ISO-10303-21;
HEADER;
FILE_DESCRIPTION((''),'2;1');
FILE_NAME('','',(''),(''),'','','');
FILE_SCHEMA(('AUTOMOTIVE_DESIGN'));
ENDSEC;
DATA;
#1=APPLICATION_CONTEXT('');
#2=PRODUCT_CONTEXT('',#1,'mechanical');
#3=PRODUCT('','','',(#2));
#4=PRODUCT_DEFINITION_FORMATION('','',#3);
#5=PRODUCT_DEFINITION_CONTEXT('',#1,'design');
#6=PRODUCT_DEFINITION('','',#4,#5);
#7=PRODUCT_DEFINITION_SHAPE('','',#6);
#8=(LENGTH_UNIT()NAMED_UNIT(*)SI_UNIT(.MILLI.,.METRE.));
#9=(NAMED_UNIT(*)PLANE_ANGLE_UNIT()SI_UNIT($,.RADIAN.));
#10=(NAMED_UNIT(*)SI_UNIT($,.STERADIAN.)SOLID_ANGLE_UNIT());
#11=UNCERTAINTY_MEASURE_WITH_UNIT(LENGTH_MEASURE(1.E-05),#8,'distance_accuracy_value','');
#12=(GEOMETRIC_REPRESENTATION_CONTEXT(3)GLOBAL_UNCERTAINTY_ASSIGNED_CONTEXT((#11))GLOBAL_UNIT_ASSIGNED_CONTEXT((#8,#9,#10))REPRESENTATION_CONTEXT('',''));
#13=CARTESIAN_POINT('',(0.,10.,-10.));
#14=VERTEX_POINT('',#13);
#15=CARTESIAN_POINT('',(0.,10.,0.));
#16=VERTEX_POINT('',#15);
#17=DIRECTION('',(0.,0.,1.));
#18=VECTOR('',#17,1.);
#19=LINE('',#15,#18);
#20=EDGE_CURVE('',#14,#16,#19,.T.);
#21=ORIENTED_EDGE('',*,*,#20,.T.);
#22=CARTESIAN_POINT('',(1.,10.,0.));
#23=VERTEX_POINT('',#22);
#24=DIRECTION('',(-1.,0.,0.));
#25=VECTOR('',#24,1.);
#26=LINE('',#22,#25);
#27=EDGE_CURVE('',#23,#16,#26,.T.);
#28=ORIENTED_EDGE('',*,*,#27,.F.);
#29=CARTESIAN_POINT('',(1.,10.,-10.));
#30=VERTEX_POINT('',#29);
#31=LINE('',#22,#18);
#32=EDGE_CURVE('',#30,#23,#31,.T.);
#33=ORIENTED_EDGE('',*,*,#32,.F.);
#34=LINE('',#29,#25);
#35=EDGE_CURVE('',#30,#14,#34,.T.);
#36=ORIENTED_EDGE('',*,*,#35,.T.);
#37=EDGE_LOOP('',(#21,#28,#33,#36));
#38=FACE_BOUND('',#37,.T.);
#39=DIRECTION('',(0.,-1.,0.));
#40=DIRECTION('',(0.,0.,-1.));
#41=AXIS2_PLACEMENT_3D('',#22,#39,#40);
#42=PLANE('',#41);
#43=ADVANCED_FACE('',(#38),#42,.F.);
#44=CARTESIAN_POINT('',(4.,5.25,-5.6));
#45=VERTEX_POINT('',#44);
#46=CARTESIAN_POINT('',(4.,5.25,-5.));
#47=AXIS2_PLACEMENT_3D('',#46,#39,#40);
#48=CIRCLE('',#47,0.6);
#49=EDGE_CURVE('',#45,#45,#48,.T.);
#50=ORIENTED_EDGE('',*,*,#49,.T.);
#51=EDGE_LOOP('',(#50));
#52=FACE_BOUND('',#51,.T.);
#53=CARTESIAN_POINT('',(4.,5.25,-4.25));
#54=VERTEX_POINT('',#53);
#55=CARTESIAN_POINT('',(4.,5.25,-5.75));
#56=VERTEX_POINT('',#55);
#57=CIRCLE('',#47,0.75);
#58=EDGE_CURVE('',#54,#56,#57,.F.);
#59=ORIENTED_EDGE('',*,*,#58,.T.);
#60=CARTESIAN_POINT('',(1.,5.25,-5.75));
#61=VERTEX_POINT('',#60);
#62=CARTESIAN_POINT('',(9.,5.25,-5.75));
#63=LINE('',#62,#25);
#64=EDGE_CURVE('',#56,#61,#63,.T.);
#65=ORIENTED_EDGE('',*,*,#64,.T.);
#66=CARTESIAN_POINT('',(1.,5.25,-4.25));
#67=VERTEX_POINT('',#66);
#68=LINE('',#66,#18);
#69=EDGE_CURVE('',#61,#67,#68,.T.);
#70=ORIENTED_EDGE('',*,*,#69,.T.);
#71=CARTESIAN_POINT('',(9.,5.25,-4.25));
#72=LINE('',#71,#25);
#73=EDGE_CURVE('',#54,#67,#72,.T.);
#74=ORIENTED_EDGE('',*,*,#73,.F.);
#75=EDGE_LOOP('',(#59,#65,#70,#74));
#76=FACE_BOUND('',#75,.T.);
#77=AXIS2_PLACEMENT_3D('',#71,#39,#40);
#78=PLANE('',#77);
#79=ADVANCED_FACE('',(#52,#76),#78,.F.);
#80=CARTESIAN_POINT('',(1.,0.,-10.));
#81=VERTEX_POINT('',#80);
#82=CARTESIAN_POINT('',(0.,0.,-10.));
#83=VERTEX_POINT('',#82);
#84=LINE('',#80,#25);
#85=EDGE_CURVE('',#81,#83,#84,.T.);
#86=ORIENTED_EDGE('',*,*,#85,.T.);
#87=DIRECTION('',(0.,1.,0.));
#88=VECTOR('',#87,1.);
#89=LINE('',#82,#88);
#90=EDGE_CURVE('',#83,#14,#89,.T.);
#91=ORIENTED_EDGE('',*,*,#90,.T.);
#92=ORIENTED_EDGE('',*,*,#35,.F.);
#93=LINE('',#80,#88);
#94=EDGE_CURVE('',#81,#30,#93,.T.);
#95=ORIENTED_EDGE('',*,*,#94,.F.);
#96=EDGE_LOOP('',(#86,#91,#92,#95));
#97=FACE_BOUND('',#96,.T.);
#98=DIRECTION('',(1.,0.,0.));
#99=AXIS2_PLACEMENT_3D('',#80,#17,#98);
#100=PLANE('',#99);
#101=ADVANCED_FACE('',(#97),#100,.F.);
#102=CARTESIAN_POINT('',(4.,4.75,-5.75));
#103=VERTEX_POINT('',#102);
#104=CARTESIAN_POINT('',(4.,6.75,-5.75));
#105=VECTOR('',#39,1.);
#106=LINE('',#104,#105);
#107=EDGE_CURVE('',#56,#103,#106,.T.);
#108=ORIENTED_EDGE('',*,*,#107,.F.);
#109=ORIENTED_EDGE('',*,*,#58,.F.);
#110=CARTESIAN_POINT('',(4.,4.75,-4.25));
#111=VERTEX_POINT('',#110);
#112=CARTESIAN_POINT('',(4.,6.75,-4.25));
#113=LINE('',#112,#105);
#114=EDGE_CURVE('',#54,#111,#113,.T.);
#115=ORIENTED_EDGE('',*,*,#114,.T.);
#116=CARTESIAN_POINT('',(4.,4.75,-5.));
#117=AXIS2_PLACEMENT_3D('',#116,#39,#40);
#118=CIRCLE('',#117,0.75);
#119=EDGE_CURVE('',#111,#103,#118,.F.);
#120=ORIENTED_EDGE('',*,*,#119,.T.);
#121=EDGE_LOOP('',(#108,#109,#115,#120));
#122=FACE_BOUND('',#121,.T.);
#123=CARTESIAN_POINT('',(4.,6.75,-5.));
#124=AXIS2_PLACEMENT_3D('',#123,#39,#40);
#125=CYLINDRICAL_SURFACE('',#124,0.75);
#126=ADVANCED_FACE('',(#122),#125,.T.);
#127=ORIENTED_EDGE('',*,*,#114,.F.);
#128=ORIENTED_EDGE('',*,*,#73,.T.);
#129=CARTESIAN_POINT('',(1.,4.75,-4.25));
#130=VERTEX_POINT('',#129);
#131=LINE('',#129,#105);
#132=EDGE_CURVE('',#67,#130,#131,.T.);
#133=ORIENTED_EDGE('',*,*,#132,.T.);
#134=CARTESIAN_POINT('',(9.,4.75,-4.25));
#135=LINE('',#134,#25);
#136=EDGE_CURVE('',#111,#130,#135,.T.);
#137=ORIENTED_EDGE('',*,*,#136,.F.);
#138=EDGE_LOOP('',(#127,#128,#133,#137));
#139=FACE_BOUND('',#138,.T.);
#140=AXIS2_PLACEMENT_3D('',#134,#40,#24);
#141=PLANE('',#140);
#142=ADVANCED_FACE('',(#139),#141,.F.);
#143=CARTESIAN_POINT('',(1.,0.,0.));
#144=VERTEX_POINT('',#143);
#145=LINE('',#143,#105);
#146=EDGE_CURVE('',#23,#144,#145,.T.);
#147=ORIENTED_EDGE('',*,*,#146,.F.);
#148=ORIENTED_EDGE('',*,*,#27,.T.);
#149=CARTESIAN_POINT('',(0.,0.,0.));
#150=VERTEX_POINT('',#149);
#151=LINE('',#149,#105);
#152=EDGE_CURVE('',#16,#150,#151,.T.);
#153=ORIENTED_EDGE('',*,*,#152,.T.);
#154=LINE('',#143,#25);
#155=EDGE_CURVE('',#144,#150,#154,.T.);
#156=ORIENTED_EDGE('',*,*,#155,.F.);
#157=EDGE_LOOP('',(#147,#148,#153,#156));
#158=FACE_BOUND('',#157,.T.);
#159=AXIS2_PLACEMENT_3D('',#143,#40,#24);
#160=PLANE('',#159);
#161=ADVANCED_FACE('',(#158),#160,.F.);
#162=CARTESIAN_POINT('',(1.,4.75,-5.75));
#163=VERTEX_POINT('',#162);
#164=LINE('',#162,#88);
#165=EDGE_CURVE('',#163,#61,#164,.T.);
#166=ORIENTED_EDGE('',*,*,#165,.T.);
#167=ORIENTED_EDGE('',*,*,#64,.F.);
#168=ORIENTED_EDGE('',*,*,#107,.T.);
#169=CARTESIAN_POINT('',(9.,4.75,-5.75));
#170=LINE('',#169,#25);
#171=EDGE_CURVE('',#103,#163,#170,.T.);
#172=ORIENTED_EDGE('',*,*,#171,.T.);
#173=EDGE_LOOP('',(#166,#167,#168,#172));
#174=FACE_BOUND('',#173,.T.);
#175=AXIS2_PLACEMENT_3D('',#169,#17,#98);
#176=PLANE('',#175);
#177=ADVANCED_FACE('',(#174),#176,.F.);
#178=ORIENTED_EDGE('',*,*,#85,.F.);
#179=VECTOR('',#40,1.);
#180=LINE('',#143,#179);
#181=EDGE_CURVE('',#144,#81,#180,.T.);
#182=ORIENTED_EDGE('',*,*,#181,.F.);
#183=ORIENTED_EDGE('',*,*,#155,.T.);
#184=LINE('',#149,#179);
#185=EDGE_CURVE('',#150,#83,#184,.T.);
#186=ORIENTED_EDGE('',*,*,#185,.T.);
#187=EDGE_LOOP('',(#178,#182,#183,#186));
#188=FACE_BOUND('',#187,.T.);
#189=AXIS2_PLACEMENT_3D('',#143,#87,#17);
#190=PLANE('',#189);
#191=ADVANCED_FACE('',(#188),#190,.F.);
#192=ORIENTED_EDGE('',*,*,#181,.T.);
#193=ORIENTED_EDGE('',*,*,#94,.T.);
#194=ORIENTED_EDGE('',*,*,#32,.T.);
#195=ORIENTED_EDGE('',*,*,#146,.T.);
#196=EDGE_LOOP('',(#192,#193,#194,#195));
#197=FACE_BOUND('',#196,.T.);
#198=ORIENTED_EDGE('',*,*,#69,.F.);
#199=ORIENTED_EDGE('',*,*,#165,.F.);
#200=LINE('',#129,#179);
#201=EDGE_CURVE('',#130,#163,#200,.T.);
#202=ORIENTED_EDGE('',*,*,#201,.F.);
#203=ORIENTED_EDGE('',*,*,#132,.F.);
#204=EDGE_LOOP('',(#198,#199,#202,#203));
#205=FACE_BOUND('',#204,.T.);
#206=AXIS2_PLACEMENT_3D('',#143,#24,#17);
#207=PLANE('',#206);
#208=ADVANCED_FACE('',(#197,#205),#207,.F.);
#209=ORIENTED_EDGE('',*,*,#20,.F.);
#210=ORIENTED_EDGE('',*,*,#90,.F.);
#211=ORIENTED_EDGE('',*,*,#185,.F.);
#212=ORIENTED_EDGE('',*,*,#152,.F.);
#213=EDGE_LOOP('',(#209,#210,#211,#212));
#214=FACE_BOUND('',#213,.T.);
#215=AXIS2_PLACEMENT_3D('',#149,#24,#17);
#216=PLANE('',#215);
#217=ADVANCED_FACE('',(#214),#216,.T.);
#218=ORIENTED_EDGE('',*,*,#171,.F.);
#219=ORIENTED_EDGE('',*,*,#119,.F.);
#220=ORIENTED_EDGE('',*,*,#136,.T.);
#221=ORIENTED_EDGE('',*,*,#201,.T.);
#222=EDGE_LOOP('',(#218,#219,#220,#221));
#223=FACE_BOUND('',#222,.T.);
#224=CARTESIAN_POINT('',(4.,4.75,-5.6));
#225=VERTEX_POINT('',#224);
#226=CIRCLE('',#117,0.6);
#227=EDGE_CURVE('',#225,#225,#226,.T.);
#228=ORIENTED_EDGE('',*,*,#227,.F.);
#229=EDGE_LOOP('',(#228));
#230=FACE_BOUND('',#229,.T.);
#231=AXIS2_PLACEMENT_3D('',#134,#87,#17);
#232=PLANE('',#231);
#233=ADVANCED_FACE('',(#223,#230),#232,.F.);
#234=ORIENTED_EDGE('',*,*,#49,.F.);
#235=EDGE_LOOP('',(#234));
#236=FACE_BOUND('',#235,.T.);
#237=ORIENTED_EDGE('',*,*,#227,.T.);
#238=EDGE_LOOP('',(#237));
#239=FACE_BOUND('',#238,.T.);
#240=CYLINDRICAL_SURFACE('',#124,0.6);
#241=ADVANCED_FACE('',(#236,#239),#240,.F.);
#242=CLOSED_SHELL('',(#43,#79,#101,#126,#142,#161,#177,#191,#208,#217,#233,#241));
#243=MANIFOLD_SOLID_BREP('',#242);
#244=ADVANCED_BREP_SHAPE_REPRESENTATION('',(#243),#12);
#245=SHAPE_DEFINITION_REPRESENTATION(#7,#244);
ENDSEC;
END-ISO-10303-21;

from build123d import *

# Parameters (mm, degrees)
SKETCH_1_W          = 10
SKETCH_1_H          = 10
EXTRUDE_1_DEPTH     = 1
SKETCH_2_W          = 1.5
SKETCH_2_H          = 0.5
EXTRUDE_2_DEPTH     = 8
CUT_EXTRUDE_2_DEPTH = 2
SKETCH_4_R          = 0.6
CUT_EXTRUDE_3_DEPTH = 2


with BuildPart() as part:
    # 草图1 → 凸台-拉伸1 (new body)
    with BuildSketch(Plane(origin=(0, 0, 0), x_dir=(0, 0, -1), z_dir=(1, 0, 0))):
        with Locations((5, 5)):
            Rectangle(SKETCH_1_W, SKETCH_1_H)
    extrude(amount=EXTRUDE_1_DEPTH)

    # 草图2 → 凸台-拉伸2 (add)
    with BuildSketch(Plane(origin=(1, 0, 0), x_dir=(0, 0, -1), z_dir=(1, 0, 0))):
        with Locations((5, 5)):
            Rectangle(SKETCH_2_W, SKETCH_2_H)
    extrude(amount=EXTRUDE_2_DEPTH)

    # 草图3 → 切除-拉伸2 (cut)
    with BuildSketch(Plane.XZ.offset(-4.75)):
        with BuildLine():
            Line((9, -4.25), (4, -4.25))
            ThreePointArc((4, -4.25), (4.75, -5), (4, -5.75))
            Line((4, -5.75), (9, -5.75))
            Line((9, -5.75), (9, -4.25))
        make_face()
    extrude(amount=-CUT_EXTRUDE_2_DEPTH, mode=Mode.SUBTRACT)

    # 草图4 → 切除-拉伸3 (cut)
    with BuildSketch(Plane.XZ.offset(-4.75)):
        with Locations(Location((4, -5, 0), (0, 0, 270))):
            Circle(SKETCH_4_R)
    extrude(amount=-CUT_EXTRUDE_3_DEPTH, mode=Mode.SUBTRACT)


solid = part.part
